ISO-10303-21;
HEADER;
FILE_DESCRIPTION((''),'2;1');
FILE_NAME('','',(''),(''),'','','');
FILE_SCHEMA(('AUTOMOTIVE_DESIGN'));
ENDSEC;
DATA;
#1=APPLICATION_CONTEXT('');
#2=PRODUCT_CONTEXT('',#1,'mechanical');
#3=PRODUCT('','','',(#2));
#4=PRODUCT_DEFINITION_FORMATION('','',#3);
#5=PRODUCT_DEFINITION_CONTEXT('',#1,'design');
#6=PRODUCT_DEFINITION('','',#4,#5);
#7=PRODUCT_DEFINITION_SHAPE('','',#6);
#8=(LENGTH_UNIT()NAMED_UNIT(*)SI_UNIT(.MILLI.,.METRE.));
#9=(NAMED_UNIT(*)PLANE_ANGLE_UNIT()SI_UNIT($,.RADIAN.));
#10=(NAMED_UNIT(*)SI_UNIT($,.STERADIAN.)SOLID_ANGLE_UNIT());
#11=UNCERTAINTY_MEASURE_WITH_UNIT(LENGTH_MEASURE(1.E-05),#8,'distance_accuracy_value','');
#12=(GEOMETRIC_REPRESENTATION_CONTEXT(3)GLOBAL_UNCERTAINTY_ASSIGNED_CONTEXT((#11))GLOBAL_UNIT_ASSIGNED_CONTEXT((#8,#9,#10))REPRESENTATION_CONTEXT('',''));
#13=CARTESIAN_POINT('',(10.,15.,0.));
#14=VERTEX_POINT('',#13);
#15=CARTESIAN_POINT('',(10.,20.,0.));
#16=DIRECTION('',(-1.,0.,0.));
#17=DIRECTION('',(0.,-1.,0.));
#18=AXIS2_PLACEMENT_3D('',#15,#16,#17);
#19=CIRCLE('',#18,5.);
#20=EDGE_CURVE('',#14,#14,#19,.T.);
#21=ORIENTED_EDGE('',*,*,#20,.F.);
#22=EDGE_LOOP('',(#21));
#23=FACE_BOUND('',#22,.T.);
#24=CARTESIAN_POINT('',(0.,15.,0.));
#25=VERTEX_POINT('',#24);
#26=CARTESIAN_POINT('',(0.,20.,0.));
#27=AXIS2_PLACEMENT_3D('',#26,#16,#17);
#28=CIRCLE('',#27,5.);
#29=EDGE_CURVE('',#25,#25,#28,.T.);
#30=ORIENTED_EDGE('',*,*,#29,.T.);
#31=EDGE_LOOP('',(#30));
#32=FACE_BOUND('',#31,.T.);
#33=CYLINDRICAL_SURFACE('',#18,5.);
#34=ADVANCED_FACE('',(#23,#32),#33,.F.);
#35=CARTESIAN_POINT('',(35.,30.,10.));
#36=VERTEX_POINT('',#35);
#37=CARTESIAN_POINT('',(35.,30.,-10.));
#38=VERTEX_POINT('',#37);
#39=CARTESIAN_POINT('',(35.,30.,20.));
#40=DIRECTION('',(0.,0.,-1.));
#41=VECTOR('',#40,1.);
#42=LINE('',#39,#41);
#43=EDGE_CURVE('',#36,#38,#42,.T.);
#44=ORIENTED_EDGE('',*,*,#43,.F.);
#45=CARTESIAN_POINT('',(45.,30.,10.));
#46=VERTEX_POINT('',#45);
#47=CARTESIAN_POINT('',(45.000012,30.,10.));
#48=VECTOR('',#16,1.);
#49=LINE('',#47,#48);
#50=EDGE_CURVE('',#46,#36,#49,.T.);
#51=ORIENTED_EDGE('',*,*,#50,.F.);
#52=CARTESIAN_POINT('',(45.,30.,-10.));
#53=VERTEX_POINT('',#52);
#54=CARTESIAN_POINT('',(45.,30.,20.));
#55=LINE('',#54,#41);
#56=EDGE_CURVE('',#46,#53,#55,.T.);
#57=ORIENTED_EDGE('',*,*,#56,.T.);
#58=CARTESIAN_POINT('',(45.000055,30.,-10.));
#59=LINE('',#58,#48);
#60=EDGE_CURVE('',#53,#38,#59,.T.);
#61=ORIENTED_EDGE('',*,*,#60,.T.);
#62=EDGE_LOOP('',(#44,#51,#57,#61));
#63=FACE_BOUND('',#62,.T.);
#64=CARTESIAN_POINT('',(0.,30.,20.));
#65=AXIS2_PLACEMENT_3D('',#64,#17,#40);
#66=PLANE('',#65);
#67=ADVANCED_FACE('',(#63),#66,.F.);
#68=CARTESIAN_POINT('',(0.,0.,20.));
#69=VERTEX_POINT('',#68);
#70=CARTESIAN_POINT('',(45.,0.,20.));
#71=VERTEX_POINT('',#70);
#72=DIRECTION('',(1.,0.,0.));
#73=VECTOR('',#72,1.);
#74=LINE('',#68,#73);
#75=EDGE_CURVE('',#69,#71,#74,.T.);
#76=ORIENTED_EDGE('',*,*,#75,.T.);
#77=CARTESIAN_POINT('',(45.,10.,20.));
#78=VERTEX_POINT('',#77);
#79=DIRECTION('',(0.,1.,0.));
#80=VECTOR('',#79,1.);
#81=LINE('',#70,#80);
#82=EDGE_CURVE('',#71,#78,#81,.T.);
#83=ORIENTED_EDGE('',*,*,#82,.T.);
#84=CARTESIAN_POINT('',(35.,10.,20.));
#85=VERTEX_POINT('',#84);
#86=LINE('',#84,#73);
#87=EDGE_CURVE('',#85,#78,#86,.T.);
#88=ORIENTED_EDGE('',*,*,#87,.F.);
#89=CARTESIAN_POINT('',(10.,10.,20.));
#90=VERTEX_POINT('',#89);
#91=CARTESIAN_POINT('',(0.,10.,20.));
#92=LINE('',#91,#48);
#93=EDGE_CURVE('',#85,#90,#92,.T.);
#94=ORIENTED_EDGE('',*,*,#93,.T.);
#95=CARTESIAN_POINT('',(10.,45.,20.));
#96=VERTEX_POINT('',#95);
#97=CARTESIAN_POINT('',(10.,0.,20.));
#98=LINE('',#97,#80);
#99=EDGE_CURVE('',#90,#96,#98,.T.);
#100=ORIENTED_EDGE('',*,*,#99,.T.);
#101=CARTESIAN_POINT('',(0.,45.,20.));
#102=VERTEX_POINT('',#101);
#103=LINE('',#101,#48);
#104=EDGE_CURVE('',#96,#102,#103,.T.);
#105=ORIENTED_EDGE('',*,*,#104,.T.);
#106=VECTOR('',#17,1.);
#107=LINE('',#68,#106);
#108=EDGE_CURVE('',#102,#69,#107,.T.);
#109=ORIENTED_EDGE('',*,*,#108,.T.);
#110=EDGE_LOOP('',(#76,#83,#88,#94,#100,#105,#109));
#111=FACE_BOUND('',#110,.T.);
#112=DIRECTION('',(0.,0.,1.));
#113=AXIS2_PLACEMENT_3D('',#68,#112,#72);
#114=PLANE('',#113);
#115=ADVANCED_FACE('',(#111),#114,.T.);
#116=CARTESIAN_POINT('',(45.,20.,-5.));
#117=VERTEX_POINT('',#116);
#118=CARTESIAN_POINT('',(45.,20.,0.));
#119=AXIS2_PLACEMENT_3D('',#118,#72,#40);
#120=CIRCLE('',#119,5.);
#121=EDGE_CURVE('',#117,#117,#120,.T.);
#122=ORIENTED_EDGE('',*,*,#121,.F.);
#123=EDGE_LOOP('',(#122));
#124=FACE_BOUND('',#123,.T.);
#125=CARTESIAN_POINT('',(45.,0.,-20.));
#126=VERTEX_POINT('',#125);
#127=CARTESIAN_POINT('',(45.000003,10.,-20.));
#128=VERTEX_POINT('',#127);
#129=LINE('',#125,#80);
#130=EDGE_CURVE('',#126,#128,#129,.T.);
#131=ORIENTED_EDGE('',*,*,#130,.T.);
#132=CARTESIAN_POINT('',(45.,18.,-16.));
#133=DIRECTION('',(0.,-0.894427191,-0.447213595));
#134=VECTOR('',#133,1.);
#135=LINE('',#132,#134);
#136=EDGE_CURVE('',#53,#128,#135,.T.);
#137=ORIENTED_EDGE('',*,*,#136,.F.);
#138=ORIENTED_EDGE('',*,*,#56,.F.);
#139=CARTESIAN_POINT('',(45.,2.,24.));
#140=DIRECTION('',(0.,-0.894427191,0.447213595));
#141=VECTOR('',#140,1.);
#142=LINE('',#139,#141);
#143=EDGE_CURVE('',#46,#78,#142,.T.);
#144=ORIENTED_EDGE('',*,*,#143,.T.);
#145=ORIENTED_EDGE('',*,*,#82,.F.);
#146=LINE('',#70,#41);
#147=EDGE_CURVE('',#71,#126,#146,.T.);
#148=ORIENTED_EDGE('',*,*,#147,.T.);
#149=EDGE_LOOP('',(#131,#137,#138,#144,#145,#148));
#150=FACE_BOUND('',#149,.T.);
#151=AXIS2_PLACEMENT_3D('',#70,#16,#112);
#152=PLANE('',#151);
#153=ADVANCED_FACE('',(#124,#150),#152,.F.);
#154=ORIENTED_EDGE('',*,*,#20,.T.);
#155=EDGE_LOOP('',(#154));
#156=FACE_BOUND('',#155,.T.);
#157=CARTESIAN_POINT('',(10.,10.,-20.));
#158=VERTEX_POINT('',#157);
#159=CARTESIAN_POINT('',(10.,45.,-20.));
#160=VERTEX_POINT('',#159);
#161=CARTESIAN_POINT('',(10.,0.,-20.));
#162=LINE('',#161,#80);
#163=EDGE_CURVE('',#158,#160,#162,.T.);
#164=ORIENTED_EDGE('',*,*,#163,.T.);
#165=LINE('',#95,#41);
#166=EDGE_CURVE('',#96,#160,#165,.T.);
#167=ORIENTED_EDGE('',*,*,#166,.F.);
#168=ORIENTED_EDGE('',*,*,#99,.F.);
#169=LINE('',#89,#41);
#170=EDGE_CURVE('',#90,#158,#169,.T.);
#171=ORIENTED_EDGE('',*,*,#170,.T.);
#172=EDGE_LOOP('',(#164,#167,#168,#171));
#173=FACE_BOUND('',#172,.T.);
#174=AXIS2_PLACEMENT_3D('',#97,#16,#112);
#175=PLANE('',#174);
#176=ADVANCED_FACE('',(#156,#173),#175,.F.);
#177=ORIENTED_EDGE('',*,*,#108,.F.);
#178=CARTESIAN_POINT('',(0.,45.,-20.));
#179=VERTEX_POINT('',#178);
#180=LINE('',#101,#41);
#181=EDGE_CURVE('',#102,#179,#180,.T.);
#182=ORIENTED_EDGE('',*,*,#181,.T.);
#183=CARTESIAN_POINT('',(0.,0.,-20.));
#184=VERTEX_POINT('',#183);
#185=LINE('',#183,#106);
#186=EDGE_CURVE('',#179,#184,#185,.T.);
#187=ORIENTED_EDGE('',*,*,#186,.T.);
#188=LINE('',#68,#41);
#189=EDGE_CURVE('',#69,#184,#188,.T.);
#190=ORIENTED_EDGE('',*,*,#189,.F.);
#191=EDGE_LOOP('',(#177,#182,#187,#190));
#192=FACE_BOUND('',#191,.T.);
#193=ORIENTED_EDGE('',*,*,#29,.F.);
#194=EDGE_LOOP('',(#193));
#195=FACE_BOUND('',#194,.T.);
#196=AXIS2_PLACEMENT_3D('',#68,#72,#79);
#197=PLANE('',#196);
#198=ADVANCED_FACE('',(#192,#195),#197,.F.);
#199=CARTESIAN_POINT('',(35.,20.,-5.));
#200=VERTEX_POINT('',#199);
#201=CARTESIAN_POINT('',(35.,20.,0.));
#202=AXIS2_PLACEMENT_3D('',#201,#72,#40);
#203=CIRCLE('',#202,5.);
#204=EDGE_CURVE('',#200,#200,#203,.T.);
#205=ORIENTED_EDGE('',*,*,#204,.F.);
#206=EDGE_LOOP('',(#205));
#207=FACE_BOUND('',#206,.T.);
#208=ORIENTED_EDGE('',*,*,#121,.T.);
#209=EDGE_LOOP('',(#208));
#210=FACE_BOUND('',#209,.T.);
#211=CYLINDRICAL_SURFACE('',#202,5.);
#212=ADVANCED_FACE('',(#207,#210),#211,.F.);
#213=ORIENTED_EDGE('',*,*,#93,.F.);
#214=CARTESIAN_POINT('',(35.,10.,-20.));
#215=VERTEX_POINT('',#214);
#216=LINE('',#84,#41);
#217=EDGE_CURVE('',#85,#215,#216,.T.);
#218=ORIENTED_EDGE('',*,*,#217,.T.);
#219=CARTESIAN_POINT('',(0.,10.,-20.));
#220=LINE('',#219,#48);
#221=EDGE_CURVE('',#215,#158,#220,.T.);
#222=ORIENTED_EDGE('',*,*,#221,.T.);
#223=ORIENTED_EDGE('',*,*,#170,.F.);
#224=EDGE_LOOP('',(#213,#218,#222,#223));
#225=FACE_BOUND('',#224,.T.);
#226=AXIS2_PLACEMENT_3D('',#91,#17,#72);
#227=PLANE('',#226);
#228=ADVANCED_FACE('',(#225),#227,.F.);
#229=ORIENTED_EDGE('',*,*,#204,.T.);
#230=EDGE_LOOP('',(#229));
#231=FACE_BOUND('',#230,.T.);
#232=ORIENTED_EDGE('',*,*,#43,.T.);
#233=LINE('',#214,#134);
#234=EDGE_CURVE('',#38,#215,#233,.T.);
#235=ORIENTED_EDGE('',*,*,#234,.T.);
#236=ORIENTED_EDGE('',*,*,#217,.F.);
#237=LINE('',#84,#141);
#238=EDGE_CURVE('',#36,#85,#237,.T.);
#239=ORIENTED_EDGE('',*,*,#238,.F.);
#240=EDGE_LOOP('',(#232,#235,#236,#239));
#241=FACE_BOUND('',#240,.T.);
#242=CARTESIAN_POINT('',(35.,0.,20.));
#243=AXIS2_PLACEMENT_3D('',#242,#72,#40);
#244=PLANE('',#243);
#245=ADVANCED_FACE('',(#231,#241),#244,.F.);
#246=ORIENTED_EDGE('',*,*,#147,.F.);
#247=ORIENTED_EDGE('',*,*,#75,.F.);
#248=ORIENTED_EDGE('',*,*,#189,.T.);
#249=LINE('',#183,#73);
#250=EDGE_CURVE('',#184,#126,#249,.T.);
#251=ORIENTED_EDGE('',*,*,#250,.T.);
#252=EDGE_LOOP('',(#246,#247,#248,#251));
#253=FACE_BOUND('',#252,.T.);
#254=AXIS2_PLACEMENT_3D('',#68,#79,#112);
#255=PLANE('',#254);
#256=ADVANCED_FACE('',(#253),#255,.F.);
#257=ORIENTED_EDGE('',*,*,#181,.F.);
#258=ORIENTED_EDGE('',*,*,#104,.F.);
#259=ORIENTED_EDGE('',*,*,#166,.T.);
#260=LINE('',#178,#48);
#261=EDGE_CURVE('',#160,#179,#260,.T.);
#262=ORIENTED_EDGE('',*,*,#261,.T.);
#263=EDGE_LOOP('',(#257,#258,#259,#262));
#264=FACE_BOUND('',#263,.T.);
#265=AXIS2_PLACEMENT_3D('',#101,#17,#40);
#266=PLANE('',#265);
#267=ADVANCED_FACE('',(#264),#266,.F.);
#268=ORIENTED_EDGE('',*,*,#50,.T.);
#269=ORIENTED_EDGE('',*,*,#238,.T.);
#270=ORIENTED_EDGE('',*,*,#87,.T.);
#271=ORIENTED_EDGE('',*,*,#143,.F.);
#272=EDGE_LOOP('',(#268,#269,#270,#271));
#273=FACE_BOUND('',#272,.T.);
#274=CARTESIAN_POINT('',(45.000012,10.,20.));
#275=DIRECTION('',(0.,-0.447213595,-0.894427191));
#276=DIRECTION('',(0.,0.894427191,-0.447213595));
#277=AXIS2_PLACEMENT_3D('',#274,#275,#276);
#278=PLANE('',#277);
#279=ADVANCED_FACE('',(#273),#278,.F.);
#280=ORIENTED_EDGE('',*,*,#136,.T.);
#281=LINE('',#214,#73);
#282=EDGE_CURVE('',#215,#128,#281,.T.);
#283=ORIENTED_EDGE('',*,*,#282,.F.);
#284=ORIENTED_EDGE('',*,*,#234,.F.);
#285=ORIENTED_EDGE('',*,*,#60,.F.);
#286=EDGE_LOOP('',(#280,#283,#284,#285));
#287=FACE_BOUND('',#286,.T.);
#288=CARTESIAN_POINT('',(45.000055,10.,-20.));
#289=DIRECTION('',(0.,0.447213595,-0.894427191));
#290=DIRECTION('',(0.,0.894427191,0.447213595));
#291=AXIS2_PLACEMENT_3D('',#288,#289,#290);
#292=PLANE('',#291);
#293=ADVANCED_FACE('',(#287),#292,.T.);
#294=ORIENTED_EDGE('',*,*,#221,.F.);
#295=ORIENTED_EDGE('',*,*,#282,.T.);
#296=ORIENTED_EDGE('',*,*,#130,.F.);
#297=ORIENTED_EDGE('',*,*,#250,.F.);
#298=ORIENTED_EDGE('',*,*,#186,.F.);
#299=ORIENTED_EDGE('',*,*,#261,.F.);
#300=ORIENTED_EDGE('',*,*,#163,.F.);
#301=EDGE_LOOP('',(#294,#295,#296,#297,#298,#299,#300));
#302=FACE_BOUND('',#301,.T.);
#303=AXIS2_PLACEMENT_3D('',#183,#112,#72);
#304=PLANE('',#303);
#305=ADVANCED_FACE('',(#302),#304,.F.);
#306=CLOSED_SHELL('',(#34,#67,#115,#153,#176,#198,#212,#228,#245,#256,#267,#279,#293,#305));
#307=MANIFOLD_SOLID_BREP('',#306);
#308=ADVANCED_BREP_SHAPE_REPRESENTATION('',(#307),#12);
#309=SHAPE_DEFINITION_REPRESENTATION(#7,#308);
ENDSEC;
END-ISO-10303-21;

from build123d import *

# Parameters (mm, degrees)
EXTRUDE_1_DEPTH          = 20
SKETCH_1_3_W             = 10
SKETCH_1_3_H             = 20
EXTRUDE_2_DEPTH          = 20
SKETCH_2_R               = 5
CUT_EXTRUDE_1_DEPTH      = 10
CUT_EXTRUDE_2_DEPTH      = 67.708320321
CUT_EXTRUDE_2_DEPTH_BACK = 10
CUT_EXTRUDE_3_DEPTH      = 67.708320321
CUT_EXTRUDE_3_DEPTH_BACK = 10
CUT_EXTRUDE_START        = -10
SKETCH_9_R               = 5
CUT_EXTRUDE_4_DEPTH      = 10


with BuildPart() as part:
    # 스케치1 → 보스-돌출1 (new, symmetric)
    with BuildSketch(Plane.XY):
        Polygon((0, 45), (0, 0), (45, 0), (45, 10), (35, 10), (10, 10), (10, 45), align=None)
    extrude(amount=EXTRUDE_1_DEPTH, both=True)

    # 스케치1<3> → 보스-돌출2 (add, symmetric)
    with BuildSketch(Plane.XY):
        with Locations((40, 20)):
            Rectangle(SKETCH_1_3_W, SKETCH_1_3_H)
    extrude(amount=EXTRUDE_2_DEPTH, both=True)

    # 스케치2 → 컷-돌출1 (cut)
    with BuildSketch(Plane(origin=(45, 0, 0), x_dir=(0, 0, -1), z_dir=(1, 0, 0))):
        with Locations((0, 20)):
            Circle(SKETCH_2_R)
    extrude(amount=-CUT_EXTRUDE_1_DEPTH, mode=Mode.SUBTRACT)

    # 스케치2<5> → 컷-돌출2 (cut, two sides: drawn at the far end of the back side and taken through both)
    with BuildSketch(Plane(origin=(45, 0, 0), x_dir=(0, 0, -1), z_dir=(1, 0, 0)).offset(-CUT_EXTRUDE_2_DEPTH_BACK)):
        Polygon((-20, 10), (-10, 30), (-20, 30), align=None)
    extrude(amount=CUT_EXTRUDE_2_DEPTH + CUT_EXTRUDE_2_DEPTH_BACK, mode=Mode.SUBTRACT)

    # 스케치7 → 컷-돌출3 (cut, two sides: drawn at the far end of the back side and taken through both)
    with BuildSketch(Plane(origin=(45, 0, 0), x_dir=(0, 0, -1), z_dir=(1, 0, 0)).offset(-CUT_EXTRUDE_3_DEPTH_BACK)):
        Polygon((20, 30), (10, 30), (20, 10), align=None)
    extrude(amount=CUT_EXTRUDE_3_DEPTH + CUT_EXTRUDE_3_DEPTH_BACK, mode=Mode.SUBTRACT)

    # 스케치9 → 컷-돌출4 (cut)
    with BuildSketch(Plane.ZY.offset(CUT_EXTRUDE_START)):
        with Locations((0, 20)):
            Circle(SKETCH_9_R)
    extrude(amount=CUT_EXTRUDE_4_DEPTH, mode=Mode.SUBTRACT)


solid = part.part
